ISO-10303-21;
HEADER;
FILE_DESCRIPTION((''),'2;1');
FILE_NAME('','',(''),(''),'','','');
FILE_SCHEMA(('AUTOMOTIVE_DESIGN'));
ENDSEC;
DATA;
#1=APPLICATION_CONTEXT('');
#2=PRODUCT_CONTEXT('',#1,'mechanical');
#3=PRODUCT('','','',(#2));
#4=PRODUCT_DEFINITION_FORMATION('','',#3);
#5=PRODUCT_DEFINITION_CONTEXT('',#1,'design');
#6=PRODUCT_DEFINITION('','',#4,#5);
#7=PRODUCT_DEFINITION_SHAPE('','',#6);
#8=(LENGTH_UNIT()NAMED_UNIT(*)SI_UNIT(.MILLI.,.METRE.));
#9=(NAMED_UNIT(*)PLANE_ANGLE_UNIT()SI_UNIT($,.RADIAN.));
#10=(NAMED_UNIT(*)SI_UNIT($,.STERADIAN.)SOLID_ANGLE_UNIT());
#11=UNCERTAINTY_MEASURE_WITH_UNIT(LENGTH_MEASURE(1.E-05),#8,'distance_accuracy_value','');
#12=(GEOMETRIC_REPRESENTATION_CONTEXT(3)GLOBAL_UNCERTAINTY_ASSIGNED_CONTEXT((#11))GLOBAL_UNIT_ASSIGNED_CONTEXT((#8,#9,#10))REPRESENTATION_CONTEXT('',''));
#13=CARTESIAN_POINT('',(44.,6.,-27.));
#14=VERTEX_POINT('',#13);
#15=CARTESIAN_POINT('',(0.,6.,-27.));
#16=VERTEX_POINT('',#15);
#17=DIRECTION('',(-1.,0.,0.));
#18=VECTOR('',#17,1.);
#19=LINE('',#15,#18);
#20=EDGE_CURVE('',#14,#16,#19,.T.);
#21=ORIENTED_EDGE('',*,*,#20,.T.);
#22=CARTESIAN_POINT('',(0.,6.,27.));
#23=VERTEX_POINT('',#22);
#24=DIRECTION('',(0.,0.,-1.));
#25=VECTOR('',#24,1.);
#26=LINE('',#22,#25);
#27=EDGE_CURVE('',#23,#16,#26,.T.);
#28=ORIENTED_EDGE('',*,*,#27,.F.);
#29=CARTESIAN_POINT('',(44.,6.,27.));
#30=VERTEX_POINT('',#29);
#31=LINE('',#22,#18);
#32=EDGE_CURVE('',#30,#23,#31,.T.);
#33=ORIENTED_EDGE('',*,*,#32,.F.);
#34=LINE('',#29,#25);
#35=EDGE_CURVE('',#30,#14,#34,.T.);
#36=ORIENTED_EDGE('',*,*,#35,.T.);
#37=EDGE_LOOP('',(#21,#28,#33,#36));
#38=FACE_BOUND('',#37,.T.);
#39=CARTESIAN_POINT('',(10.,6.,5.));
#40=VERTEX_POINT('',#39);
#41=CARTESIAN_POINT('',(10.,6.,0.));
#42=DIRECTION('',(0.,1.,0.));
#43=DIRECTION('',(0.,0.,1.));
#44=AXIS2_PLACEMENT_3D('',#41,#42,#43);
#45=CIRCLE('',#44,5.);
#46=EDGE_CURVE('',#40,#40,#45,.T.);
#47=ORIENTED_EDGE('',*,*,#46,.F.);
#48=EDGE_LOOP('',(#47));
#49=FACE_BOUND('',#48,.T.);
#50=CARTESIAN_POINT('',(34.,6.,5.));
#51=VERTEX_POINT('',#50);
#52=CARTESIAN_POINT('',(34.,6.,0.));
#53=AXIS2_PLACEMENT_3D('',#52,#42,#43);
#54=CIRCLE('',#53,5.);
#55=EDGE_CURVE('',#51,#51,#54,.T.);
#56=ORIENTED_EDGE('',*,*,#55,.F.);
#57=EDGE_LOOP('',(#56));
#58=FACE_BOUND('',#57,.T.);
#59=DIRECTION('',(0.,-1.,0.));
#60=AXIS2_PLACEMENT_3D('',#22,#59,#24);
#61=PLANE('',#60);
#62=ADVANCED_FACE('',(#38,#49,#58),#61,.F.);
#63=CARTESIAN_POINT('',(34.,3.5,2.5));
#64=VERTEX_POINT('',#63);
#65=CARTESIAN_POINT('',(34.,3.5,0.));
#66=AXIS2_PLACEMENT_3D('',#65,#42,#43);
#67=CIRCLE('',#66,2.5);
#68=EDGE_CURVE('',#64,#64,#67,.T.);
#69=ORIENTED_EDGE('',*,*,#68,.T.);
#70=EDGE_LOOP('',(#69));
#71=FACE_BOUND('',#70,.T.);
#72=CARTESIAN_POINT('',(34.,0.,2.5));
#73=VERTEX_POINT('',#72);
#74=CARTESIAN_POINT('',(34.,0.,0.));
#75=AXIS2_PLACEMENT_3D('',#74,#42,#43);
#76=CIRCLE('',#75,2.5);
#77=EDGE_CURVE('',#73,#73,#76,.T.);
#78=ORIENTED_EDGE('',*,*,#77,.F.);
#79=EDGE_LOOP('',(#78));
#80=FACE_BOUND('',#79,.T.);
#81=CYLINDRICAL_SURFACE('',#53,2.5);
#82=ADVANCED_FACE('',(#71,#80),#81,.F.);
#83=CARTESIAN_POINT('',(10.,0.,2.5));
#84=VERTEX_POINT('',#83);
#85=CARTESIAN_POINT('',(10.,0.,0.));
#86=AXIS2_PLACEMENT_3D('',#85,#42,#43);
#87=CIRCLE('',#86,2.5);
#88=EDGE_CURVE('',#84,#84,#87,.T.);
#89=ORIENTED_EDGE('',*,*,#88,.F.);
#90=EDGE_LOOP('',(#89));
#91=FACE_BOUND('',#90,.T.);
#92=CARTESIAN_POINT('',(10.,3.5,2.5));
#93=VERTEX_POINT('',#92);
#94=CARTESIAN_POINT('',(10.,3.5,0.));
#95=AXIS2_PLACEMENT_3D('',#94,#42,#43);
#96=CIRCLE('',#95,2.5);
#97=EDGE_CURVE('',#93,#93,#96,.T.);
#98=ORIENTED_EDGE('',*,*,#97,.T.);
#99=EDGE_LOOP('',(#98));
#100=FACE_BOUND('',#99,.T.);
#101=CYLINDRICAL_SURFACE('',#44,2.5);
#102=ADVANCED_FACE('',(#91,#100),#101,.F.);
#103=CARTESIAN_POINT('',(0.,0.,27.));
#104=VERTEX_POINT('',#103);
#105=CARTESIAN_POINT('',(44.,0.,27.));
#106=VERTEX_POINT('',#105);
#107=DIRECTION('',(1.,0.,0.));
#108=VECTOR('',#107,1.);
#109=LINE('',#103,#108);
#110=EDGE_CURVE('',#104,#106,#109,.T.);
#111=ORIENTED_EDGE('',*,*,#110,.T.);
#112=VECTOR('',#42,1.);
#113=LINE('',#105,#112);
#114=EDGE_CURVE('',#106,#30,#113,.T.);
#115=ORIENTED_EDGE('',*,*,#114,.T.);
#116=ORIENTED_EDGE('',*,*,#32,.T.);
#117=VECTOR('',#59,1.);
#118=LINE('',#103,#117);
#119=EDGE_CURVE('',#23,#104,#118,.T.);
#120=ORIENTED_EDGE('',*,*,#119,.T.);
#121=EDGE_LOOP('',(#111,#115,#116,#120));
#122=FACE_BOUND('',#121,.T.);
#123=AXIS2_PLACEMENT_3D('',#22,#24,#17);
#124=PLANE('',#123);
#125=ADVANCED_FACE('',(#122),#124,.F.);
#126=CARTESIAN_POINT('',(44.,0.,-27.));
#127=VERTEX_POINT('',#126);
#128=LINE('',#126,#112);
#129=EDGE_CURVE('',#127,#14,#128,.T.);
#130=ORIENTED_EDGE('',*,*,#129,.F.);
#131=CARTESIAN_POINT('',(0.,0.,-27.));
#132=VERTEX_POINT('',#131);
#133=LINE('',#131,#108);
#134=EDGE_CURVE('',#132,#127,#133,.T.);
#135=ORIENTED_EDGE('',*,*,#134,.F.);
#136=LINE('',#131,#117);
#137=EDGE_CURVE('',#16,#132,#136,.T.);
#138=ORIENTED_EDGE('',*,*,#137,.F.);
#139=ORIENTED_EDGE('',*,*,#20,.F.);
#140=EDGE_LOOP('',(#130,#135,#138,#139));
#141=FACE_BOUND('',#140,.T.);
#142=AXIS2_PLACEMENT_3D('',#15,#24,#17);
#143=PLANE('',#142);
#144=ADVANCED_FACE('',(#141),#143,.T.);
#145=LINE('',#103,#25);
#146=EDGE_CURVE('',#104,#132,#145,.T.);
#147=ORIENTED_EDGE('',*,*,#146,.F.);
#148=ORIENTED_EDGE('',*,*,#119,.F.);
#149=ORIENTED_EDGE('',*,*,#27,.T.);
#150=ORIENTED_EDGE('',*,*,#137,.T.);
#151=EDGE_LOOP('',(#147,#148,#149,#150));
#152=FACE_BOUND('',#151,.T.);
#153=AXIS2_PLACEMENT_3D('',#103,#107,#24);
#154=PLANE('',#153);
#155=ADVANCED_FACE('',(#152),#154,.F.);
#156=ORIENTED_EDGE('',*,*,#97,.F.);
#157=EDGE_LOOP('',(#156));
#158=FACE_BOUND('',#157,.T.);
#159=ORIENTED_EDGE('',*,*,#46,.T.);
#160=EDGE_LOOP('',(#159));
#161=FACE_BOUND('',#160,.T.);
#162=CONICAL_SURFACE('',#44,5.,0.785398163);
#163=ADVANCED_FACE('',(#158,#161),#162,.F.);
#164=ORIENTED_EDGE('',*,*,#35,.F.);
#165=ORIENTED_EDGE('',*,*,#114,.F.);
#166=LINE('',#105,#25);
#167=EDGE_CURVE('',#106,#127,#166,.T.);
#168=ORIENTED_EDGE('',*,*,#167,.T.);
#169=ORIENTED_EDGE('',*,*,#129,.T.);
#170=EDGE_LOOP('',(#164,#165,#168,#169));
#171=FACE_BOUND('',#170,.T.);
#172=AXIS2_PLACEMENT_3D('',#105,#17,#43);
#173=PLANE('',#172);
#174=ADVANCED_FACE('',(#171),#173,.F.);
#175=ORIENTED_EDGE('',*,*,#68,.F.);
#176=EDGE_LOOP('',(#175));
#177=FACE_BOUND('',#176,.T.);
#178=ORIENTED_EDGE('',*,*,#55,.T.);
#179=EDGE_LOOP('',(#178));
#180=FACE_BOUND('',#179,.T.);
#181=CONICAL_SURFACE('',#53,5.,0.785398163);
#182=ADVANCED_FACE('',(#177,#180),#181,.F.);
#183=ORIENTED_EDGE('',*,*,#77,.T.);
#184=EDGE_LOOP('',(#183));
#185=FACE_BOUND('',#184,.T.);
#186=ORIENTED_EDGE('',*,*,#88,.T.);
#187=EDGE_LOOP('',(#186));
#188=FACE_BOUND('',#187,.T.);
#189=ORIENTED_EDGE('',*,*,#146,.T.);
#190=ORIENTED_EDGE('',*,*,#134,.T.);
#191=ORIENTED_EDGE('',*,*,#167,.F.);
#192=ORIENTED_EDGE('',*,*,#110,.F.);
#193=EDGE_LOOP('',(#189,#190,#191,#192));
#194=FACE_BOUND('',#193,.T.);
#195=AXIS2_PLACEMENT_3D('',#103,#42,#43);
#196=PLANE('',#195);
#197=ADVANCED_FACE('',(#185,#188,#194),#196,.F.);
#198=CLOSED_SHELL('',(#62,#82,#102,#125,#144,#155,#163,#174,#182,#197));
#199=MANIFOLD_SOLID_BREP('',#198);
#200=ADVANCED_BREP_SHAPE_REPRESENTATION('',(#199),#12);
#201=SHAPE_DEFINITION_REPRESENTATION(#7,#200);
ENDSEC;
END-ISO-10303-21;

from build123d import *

# Parameters (mm, degrees)
SKETCH1_W                                       = 44
SKETCH1_H                                       = 6
EXTRUDE1_DEPTH                                  = 27
CSK_FOR_M6_FLAT_HEAD_MACHINE_SCREW1_D           = 5
CSK_FOR_M6_FLAT_HEAD_MACHINE_SCREW1_CSINK_D     = 10
CSK_FOR_M6_FLAT_HEAD_MACHINE_SCREW1_CSINK_ANGLE = 90


with BuildPart() as part:
    # Sketch1 → Extrude1 (new, symmetric)
    with BuildSketch(Plane.XY):
        with Locations((22, 3)):
            Rectangle(SKETCH1_W, SKETCH1_H)
    extrude(amount=EXTRUDE1_DEPTH, both=True)

    # CSK for M6 Flat Head Machine Screw1 (through all)
    with Locations(Plane(origin=(10, 6, 0), x_dir=(0, 0, 1), z_dir=(0, 1, 0))):
        with Locations((0, 0), (0, 24)):
            CounterSinkHole(CSK_FOR_M6_FLAT_HEAD_MACHINE_SCREW1_D / 2, CSK_FOR_M6_FLAT_HEAD_MACHINE_SCREW1_CSINK_D / 2, counter_sink_angle=CSK_FOR_M6_FLAT_HEAD_MACHINE_SCREW1_CSINK_ANGLE)


solid = part.part
